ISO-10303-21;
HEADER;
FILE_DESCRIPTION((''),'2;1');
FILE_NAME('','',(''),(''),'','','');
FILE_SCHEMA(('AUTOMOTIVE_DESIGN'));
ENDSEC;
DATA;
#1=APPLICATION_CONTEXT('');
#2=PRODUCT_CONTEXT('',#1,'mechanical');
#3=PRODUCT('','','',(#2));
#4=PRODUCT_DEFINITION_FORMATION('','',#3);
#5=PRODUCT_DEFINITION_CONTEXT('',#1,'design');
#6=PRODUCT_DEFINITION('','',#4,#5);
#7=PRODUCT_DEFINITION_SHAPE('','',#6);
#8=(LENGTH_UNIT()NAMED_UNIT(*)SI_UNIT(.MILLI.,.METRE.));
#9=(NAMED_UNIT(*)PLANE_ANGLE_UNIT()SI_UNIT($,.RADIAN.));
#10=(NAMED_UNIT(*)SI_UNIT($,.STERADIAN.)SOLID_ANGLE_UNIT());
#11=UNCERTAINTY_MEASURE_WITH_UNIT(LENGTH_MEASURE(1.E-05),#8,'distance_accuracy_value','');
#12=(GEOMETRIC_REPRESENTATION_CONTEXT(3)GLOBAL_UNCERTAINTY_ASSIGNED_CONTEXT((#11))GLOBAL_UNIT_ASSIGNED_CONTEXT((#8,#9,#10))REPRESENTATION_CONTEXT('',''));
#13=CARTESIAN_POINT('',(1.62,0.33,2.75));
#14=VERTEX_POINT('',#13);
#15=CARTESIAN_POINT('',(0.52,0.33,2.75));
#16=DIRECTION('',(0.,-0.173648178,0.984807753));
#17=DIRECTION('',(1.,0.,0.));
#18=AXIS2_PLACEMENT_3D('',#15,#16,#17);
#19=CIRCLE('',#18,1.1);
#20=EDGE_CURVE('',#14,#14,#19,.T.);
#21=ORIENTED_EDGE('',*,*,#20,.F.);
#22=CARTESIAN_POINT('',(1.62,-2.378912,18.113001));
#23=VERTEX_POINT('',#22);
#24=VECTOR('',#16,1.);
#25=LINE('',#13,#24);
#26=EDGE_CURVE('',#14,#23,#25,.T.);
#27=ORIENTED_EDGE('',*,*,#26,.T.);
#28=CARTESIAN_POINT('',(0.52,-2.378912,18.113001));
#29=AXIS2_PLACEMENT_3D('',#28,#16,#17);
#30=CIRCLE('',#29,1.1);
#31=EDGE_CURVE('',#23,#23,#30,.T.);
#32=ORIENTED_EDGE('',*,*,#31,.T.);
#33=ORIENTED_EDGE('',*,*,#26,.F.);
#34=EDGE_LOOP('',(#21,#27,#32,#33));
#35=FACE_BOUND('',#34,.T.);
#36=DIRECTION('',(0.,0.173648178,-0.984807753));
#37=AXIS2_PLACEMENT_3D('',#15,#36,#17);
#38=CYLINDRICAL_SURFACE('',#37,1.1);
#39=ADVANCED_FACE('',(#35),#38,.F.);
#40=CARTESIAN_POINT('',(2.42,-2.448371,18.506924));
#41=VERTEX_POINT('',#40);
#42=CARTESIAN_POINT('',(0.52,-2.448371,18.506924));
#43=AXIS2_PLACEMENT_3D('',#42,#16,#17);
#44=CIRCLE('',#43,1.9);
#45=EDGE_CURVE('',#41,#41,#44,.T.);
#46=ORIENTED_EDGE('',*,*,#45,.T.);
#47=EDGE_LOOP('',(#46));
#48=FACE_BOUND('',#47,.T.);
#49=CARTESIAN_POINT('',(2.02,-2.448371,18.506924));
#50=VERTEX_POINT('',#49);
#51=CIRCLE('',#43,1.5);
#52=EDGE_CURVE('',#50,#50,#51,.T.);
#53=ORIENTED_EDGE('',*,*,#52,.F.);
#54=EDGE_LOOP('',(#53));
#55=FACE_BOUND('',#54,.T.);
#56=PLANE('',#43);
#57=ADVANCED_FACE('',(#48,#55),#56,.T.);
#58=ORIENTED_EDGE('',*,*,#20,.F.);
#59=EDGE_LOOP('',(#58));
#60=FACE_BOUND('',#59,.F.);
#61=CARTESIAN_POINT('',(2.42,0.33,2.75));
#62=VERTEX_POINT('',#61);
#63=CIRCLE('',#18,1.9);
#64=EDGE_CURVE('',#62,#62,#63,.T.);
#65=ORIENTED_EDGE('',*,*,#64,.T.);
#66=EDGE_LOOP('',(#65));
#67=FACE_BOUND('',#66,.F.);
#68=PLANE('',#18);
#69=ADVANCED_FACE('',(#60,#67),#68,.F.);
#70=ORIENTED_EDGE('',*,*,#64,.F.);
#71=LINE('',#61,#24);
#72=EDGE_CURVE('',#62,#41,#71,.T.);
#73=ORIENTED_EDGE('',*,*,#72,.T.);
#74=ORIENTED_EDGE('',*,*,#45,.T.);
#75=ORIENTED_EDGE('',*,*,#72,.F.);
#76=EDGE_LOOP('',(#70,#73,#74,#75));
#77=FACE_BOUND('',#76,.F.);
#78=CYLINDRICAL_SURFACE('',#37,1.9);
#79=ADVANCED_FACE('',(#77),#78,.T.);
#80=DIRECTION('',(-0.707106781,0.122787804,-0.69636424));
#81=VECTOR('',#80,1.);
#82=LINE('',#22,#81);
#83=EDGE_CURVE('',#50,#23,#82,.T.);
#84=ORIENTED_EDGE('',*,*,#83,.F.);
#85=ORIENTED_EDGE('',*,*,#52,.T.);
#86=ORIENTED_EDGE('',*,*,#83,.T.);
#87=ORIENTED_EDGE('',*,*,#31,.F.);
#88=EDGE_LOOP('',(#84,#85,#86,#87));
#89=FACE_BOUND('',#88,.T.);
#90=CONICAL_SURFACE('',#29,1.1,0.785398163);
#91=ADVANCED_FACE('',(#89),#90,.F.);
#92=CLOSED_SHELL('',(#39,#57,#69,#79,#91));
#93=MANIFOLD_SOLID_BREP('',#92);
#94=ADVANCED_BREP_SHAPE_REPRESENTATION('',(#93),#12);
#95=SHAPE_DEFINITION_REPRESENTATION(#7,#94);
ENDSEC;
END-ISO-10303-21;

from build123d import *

# Parameters (mm, degrees)
CYLINDER001_R               = 1.1
CYLINDER001_DEPTH           = 16
CYLINDER001_PLACEMENT_ANGLE = 10
CYLINDER_R                  = 1.9
CYLINDER_DEPTH              = 16
CYLINDER_PLACEMENT_ANGLE    = 10
CHAMFER001_SIZE             = 0.4


with BuildPart() as cylinder001:
    # Cylinder001 → Cylinder001 (new body)
    with BuildSketch(Plane.XY):
        Circle(CYLINDER001_R)
    extrude(amount=CYLINDER001_DEPTH)


with BuildPart() as cylinder001_1:
    # Cylinder001 placement: moved
    add(cylinder001.part.moved(Location((0.52, 0.33, 2.75))).rotate(Axis((0.52, 0.33, 2.75), (1, 0, 0)), CYLINDER001_PLACEMENT_ANGLE))


with BuildPart() as chamfer001:
    # Cylinder → Cylinder (new body)
    with BuildSketch(Plane.XY):
        Circle(CYLINDER_R)
    extrude(amount=CYLINDER_DEPTH)


with BuildPart() as chamfer001_1:
    # Cylinder placement: moved
    add(chamfer001.part.moved(Location((0.52, 0.33, 2.75))).rotate(Axis((0.52, 0.33, 2.75), (1, 0, 0)), CYLINDER_PLACEMENT_ANGLE))

    # Cut: cut Cylinder001
    add(cylinder001_1.part, mode=Mode.SUBTRACT)

    # Chamfer001
    chamfer001_edges = [chamfer001_1.edges().sort_by_distance(p)[0] for p in [
        (-0.58, -2.448371, 18.506924),
    ]]
    chamfer(chamfer001_edges, length=CHAMFER001_SIZE)


solid = chamfer001_1.part
